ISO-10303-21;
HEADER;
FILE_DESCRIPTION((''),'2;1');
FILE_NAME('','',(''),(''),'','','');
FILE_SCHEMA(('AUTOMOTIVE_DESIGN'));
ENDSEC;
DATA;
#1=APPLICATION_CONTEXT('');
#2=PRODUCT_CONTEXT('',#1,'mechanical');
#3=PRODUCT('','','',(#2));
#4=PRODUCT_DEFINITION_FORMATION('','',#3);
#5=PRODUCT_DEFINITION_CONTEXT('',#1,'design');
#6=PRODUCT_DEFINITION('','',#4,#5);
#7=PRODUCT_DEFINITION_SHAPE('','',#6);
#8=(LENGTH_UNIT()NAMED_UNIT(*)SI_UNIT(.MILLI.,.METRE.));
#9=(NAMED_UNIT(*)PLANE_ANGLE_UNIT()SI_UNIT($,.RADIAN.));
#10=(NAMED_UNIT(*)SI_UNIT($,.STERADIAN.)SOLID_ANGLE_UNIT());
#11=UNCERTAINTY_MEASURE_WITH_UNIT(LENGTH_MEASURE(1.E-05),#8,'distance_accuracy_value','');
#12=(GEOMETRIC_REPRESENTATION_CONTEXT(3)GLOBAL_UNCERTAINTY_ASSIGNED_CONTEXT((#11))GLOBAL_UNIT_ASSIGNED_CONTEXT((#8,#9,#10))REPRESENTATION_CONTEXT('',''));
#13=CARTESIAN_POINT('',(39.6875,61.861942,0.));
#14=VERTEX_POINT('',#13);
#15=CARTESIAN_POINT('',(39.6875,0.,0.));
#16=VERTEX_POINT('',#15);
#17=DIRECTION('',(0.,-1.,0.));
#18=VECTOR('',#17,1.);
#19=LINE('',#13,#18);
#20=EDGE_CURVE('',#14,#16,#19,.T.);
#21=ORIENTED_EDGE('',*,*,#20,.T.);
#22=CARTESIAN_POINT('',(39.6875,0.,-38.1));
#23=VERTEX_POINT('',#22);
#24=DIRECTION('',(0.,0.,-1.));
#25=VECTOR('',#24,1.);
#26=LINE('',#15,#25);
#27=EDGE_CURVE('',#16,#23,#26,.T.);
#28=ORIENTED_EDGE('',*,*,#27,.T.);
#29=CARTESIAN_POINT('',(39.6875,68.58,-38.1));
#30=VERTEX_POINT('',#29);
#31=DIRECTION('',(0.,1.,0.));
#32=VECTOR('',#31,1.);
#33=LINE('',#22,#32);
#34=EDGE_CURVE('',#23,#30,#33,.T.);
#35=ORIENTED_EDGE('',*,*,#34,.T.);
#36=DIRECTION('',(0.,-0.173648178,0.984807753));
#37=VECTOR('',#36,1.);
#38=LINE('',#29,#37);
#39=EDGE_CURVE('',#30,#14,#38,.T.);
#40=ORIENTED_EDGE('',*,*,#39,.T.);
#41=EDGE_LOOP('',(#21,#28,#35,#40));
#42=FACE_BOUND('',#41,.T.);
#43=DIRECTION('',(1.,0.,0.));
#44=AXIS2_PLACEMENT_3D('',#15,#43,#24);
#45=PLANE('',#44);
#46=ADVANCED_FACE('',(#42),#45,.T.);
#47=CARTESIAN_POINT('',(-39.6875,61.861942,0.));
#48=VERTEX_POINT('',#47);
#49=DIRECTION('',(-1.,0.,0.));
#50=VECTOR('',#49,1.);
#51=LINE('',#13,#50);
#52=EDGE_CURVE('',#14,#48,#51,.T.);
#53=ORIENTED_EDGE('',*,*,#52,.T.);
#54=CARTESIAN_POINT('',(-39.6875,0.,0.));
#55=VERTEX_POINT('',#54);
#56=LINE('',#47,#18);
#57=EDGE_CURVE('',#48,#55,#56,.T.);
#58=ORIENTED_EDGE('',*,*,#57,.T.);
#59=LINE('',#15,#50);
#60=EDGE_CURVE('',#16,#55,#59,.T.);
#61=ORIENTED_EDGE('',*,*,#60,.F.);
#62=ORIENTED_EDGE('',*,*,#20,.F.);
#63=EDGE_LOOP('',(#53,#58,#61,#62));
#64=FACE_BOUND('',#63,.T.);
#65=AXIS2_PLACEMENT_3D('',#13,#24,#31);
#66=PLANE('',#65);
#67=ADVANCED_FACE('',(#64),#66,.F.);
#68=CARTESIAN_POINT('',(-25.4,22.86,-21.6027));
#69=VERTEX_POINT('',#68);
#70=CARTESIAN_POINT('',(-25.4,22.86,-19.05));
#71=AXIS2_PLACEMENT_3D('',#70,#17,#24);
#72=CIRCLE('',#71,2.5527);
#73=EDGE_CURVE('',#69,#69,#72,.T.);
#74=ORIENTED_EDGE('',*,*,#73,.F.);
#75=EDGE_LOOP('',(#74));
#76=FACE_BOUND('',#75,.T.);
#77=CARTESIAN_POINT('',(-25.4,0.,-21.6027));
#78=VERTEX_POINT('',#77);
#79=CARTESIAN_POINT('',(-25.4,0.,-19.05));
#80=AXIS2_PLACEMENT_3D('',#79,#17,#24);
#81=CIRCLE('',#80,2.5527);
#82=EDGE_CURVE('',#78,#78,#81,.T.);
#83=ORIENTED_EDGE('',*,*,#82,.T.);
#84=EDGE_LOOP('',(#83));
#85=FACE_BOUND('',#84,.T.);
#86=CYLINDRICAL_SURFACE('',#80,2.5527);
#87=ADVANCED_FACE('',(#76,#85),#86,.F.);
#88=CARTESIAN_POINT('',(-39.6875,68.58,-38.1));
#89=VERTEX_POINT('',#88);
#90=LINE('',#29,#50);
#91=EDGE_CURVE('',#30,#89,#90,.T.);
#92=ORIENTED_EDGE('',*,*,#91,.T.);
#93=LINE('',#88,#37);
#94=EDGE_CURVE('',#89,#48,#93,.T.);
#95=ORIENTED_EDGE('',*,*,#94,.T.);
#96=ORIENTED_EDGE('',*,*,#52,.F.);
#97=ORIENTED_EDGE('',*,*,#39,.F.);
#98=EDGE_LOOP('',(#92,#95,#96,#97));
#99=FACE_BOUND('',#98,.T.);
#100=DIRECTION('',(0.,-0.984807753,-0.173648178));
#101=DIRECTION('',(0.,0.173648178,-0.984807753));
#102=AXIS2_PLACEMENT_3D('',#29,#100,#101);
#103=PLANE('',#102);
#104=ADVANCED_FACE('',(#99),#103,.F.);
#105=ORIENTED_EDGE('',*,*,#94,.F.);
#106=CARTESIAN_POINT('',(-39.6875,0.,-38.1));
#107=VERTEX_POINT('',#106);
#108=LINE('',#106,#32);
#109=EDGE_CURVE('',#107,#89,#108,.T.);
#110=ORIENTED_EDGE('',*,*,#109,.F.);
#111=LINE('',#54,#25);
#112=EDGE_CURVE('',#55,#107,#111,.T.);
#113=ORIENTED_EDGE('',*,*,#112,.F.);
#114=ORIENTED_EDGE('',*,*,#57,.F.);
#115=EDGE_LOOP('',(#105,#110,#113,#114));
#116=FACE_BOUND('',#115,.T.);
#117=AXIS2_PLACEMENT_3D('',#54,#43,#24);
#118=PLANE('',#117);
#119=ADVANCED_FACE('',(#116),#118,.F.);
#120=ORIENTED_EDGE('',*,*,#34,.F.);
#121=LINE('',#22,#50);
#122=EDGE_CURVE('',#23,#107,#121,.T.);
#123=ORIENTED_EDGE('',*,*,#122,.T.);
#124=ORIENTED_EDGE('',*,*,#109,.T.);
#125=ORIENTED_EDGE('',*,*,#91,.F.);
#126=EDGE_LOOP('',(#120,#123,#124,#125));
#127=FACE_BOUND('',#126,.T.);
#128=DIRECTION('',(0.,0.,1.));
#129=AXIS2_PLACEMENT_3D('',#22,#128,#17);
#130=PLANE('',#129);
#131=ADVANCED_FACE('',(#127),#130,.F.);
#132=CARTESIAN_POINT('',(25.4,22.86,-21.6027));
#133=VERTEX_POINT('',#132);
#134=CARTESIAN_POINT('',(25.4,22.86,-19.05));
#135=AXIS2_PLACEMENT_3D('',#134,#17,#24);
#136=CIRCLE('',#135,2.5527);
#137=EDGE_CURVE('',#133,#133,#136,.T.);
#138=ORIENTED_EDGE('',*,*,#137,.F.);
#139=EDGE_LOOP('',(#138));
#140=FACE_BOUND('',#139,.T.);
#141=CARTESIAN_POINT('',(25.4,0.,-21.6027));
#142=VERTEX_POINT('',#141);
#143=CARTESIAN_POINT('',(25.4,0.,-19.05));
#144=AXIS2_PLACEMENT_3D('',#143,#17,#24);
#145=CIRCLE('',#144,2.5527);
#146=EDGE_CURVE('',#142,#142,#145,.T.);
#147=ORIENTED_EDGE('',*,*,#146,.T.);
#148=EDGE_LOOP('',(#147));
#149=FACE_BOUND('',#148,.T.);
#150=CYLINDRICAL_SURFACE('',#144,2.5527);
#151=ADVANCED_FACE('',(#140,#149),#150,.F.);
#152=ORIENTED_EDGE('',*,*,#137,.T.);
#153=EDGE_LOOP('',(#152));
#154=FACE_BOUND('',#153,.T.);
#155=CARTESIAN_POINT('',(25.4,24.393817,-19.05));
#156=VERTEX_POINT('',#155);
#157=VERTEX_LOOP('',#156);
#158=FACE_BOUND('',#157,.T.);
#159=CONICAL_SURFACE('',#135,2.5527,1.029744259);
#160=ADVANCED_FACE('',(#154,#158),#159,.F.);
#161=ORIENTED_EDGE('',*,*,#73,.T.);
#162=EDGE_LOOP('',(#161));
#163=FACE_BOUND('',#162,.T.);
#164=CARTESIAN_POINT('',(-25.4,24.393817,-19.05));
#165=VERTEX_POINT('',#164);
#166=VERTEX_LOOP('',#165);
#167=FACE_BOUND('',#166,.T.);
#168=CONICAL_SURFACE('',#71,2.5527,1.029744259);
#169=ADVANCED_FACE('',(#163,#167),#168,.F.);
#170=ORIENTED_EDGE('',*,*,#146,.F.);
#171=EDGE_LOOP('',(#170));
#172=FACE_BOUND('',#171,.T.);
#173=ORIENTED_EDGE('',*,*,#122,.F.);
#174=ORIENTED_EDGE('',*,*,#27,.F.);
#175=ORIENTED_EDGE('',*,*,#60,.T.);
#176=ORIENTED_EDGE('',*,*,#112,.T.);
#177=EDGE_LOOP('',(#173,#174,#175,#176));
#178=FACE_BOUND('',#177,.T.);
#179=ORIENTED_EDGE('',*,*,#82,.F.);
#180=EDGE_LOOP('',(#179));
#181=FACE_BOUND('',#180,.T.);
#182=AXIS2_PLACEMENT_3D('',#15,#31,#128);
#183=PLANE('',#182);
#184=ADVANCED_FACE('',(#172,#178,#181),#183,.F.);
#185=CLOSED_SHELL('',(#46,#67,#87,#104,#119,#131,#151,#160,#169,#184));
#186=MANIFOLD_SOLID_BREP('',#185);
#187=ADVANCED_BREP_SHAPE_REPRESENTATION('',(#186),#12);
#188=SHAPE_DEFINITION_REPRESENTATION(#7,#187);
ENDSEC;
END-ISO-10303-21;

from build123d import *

# Parameters (mm, degrees)
BOSS_EXTRUDE2_DEPTH         = 39.6875
F_1_4_20_TAPPED_HOLE1_D     = 5.1054
F_1_4_20_TAPPED_HOLE1_DEPTH = 22.86
F_1_4_20_TAPPED_HOLE1_TIP   = 1.533816902


with BuildPart() as part:
    # Sketch3 → Boss-Extrude2 (new body, symmetric)
    with BuildSketch(Plane(origin=(0, 0, 0), x_dir=(0, 0, -1), z_dir=(1, 0, 0))):
        Polygon((0, 0), (38.1, 0), (38.1, 68.58), (0, 61.861942035), align=None)
    extrude(amount=BOSS_EXTRUDE2_DEPTH, both=True)

    # 1/4-20 Tapped Hole1
    with Locations(Plane(origin=(0, 0, 0), x_dir=(-1, 0, 0), z_dir=(0, -1, 0))):
        with Locations((25.4, 19.05), (-25.4, 19.05)):
            Hole(F_1_4_20_TAPPED_HOLE1_D / 2, depth=F_1_4_20_TAPPED_HOLE1_DEPTH)
            with Locations((0, 0, -(F_1_4_20_TAPPED_HOLE1_DEPTH + F_1_4_20_TAPPED_HOLE1_TIP / 2))):  # 118° drill point
                Cone(0, F_1_4_20_TAPPED_HOLE1_D / 2, F_1_4_20_TAPPED_HOLE1_TIP, mode=Mode.SUBTRACT)


solid = part.part
